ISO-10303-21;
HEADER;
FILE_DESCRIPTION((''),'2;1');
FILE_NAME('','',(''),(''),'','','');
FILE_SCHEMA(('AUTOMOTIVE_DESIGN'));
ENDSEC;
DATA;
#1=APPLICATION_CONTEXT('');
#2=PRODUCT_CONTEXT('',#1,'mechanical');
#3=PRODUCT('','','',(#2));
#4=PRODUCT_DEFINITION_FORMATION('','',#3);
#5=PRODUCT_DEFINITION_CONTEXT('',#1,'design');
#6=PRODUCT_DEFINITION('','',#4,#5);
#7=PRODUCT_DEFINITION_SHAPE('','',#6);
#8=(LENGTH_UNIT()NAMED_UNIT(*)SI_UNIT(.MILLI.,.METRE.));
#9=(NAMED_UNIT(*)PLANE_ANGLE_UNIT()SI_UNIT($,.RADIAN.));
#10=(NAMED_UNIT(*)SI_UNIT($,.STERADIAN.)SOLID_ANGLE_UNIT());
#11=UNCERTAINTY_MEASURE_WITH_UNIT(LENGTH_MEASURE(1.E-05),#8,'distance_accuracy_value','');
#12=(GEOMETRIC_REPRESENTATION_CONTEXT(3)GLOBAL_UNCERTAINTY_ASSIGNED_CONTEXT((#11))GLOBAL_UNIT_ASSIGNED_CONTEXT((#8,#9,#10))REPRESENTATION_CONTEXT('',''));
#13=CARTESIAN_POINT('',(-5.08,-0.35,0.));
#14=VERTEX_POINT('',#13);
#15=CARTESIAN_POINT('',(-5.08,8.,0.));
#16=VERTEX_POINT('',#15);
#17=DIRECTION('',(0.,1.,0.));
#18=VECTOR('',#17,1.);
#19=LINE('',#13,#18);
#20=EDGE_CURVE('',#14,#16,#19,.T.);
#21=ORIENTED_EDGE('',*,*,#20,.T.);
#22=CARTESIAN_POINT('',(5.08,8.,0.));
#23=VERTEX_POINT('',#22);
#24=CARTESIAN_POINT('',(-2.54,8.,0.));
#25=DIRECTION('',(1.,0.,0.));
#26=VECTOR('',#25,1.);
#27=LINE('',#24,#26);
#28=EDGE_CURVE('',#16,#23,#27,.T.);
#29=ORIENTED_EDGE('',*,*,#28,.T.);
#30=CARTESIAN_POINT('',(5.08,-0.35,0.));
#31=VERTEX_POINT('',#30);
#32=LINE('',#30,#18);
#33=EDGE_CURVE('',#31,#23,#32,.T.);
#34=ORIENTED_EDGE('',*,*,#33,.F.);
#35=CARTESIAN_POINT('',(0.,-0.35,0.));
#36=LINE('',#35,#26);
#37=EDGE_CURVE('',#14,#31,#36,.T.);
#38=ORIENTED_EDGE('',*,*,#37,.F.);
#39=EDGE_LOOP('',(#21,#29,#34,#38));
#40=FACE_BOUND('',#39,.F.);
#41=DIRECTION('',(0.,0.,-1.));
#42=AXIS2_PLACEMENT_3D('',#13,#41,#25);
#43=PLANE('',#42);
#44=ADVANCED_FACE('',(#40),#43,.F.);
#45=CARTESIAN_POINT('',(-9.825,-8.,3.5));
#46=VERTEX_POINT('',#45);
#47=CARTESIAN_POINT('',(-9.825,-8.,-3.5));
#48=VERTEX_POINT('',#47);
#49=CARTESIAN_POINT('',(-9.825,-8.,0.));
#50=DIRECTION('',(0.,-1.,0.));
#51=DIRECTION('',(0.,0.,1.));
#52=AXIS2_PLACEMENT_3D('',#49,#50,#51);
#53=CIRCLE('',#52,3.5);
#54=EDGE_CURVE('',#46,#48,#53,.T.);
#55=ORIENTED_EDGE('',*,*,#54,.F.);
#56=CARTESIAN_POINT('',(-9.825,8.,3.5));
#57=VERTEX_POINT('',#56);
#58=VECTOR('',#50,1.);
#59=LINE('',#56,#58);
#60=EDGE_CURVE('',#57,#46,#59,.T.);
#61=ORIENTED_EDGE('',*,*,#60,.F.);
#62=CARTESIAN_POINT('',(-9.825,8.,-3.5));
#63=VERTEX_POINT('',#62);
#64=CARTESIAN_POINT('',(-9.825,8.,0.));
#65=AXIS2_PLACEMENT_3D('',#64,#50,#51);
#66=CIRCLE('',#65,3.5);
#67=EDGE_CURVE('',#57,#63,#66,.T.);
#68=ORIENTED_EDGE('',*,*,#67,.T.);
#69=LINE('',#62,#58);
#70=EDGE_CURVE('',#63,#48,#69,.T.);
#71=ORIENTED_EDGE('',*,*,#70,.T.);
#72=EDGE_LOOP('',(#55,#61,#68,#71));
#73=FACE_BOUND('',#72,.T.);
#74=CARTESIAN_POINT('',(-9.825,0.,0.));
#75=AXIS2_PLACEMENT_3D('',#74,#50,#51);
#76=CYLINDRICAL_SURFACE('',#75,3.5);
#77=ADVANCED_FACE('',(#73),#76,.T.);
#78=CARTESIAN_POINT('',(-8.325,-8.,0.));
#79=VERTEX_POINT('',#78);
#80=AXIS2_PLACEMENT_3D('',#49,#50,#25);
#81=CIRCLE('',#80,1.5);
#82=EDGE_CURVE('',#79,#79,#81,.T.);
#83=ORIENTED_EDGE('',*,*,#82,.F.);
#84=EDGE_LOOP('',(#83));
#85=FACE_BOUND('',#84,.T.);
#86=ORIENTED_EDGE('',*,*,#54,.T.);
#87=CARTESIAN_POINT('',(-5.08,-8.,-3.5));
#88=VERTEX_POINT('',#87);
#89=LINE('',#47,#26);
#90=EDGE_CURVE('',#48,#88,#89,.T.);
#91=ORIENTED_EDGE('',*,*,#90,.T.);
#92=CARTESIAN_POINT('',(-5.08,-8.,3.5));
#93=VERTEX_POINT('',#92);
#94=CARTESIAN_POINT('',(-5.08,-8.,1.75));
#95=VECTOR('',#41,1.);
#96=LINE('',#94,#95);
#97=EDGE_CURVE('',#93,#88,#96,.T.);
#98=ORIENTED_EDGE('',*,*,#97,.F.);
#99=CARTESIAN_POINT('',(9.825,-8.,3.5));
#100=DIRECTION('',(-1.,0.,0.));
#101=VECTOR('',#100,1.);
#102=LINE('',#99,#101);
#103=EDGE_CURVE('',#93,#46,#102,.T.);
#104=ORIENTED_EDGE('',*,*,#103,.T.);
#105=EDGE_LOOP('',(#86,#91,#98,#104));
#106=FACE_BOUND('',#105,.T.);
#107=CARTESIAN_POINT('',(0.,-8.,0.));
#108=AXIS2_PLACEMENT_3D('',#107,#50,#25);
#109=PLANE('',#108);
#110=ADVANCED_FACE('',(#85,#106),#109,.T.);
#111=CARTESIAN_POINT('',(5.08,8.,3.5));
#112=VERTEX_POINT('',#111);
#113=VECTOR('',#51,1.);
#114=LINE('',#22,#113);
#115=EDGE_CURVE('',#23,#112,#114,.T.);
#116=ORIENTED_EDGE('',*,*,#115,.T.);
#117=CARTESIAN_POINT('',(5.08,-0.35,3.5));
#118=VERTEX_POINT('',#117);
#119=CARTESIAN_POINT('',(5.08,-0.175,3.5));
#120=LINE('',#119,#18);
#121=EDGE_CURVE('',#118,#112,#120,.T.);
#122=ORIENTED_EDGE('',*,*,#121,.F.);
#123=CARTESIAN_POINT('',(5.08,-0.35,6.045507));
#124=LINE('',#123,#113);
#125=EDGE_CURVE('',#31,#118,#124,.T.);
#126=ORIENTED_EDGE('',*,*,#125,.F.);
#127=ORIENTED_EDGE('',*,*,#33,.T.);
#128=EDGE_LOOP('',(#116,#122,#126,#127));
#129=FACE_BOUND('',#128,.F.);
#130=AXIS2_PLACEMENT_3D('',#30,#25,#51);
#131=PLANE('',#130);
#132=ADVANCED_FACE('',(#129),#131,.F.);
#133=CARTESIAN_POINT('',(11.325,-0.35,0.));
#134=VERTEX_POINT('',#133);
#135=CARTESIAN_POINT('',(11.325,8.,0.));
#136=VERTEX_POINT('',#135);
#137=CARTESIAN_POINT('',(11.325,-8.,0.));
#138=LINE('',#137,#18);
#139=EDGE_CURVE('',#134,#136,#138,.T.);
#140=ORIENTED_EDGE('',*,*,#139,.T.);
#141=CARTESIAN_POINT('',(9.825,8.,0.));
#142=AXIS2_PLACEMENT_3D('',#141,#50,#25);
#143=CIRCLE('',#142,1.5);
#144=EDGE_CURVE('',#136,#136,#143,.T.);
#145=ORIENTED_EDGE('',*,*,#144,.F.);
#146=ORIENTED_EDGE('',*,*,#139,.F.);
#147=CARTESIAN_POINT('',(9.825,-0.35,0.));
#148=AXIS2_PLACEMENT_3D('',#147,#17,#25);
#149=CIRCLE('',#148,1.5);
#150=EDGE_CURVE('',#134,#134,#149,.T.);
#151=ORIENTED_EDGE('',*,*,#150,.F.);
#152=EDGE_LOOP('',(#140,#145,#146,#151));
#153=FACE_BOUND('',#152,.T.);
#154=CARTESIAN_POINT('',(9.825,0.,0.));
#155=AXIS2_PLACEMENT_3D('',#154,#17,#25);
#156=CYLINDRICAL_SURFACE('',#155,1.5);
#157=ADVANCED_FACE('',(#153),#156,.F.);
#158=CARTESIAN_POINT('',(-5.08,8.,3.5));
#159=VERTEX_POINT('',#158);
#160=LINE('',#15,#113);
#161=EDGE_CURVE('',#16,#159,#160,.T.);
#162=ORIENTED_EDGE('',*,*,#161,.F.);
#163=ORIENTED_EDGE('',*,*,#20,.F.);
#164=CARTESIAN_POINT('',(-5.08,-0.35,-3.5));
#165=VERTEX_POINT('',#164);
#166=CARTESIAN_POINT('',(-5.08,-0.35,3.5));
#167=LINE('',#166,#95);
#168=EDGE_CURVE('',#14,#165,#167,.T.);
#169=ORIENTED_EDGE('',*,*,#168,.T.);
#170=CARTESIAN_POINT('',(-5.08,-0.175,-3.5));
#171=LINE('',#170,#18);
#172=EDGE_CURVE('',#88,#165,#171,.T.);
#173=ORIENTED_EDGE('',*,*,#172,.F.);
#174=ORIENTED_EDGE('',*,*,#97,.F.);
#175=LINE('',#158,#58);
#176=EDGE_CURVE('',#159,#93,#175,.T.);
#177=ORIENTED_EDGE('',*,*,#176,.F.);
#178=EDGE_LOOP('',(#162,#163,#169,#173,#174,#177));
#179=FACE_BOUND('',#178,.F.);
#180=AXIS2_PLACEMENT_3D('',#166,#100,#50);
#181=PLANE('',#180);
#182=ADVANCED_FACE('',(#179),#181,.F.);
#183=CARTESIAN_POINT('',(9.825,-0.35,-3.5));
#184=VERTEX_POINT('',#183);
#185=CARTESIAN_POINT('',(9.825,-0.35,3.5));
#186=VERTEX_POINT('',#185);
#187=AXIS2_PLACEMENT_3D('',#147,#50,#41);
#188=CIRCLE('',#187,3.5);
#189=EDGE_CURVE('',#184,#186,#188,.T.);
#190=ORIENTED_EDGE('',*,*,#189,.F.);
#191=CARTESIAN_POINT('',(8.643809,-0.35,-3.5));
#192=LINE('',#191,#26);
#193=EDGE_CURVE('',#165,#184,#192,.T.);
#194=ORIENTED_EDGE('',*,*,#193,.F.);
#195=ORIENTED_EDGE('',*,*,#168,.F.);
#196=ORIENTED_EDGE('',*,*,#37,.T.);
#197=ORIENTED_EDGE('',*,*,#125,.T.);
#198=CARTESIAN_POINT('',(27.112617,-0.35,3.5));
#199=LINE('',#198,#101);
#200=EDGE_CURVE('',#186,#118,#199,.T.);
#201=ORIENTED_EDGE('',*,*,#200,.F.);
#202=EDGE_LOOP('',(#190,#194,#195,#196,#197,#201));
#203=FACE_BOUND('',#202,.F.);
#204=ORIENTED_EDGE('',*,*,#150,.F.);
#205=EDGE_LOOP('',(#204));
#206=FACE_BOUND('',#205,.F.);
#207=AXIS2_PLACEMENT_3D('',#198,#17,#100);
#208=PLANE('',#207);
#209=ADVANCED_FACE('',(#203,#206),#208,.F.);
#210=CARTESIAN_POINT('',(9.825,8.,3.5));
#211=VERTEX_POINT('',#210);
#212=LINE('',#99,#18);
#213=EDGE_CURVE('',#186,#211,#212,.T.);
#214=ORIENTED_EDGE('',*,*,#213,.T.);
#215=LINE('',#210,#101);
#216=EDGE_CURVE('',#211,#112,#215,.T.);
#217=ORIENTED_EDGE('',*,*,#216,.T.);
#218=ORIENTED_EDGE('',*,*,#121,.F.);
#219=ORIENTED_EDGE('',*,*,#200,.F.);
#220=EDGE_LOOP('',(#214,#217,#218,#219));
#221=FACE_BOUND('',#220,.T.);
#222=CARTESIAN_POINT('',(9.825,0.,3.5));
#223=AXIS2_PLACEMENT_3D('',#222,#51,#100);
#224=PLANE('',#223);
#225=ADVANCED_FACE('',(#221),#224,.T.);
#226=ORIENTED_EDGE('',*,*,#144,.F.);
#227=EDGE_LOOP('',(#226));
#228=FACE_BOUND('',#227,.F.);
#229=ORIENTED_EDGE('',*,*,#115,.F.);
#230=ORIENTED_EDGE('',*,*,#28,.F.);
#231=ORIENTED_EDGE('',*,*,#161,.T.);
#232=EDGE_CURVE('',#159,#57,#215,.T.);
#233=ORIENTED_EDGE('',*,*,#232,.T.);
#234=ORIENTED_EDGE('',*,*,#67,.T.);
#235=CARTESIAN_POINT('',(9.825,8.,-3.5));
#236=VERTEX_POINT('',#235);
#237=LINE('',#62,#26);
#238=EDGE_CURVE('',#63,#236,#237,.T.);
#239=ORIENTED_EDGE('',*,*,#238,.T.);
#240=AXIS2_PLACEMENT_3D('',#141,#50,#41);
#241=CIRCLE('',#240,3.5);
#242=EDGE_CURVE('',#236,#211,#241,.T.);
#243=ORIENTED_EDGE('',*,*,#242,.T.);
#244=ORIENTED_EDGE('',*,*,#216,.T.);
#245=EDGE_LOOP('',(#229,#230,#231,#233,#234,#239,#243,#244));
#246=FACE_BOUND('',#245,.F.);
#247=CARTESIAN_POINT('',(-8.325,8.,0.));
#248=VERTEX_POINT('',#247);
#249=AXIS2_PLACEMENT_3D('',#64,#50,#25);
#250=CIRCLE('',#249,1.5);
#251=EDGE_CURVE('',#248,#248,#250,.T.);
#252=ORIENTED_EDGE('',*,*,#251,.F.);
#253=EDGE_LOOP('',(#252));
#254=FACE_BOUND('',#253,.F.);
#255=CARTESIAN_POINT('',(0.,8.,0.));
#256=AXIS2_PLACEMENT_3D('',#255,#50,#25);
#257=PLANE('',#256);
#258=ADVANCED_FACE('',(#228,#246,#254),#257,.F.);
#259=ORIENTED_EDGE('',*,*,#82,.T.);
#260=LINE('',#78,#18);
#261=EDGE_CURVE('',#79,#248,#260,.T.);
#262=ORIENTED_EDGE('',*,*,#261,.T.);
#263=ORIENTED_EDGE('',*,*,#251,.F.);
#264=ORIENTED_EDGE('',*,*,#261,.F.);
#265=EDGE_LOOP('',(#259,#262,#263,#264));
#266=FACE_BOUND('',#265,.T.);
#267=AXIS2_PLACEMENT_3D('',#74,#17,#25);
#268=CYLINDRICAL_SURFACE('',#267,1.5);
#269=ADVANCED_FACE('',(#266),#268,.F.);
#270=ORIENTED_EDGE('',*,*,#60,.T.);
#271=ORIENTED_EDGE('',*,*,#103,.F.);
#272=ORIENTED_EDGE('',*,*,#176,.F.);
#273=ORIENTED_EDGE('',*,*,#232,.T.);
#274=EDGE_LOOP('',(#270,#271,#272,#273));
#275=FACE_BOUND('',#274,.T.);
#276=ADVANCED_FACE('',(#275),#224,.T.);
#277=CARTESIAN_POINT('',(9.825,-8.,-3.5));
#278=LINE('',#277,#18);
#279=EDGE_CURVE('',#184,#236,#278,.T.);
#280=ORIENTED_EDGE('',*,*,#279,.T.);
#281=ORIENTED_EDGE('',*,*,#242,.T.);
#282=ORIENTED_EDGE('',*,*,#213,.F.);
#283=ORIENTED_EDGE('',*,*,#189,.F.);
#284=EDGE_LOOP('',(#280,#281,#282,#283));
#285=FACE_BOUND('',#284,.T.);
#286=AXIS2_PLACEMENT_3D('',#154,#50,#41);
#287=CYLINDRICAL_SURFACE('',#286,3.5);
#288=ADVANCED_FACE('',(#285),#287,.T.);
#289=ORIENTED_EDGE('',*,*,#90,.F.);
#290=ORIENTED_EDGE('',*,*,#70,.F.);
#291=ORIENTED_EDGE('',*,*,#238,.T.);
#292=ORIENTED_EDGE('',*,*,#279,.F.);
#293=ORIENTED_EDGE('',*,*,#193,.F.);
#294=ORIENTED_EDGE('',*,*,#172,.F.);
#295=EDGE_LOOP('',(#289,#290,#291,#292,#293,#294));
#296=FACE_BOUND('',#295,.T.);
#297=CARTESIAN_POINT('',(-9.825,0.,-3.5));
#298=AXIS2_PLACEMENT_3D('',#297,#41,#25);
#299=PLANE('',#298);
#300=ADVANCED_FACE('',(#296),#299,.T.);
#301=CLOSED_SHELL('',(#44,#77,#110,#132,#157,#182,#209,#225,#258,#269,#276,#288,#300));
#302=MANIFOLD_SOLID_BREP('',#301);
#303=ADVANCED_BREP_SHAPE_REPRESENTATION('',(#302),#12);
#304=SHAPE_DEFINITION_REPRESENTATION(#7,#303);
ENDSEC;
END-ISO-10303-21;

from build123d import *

# Parameters (mm, degrees)
F0_R     = 1.5
F1_DEPTH = 8
F2_W     = 14.905
F2_H     = 7.65
F3_DEPTH = 7.001
F4_W     = 10.16
F4_H     = 12.091013
F5_DEPTH = 8.351


with BuildPart() as f1:
    # F0 (on Front) → F1 (new body, symmetric)
    with BuildSketch(Plane.XZ):
        with BuildLine():
            Line((9.825, 3.5), (-9.825, 3.5))
            ThreePointArc((-9.825, 3.5), (-13.325, 0), (-9.825, -3.5))
            Line((-9.825, -3.5), (9.825, -3.5))
            ThreePointArc((9.825, -3.5), (13.325, 0), (9.825, 3.5))
        make_face()
        with Locations((-9.825, 0)):
            Circle(F0_R, mode=Mode.SUBTRACT)
        with Locations((9.825, 0)):
            Circle(F0_R, mode=Mode.SUBTRACT)
    extrude(amount=F1_DEPTH, both=True)

    # F2 (on face) → F3 (cut, through all)
    with BuildSketch(Plane.XY.offset(3.5)):
        Polygon((27.112617, -0.35), (9.825, -0.35), (9.825, -8), (-5.08, -8), (-5.08, -17.684488), (27.112617, -17.684488), align=None)
        with Locations((2.3725, -4.175)):
            Rectangle(F2_W, F2_H)
    extrude(amount=-F3_DEPTH, mode=Mode.SUBTRACT)

    # F4 (on face) → F5 (cut, through all)
    with BuildSketch(Plane.XZ.offset(0.35)):
        with Locations((0, 6.045507)):
            Rectangle(F4_W, F4_H)
    extrude(amount=-F5_DEPTH, mode=Mode.SUBTRACT)


solid = f1.part
